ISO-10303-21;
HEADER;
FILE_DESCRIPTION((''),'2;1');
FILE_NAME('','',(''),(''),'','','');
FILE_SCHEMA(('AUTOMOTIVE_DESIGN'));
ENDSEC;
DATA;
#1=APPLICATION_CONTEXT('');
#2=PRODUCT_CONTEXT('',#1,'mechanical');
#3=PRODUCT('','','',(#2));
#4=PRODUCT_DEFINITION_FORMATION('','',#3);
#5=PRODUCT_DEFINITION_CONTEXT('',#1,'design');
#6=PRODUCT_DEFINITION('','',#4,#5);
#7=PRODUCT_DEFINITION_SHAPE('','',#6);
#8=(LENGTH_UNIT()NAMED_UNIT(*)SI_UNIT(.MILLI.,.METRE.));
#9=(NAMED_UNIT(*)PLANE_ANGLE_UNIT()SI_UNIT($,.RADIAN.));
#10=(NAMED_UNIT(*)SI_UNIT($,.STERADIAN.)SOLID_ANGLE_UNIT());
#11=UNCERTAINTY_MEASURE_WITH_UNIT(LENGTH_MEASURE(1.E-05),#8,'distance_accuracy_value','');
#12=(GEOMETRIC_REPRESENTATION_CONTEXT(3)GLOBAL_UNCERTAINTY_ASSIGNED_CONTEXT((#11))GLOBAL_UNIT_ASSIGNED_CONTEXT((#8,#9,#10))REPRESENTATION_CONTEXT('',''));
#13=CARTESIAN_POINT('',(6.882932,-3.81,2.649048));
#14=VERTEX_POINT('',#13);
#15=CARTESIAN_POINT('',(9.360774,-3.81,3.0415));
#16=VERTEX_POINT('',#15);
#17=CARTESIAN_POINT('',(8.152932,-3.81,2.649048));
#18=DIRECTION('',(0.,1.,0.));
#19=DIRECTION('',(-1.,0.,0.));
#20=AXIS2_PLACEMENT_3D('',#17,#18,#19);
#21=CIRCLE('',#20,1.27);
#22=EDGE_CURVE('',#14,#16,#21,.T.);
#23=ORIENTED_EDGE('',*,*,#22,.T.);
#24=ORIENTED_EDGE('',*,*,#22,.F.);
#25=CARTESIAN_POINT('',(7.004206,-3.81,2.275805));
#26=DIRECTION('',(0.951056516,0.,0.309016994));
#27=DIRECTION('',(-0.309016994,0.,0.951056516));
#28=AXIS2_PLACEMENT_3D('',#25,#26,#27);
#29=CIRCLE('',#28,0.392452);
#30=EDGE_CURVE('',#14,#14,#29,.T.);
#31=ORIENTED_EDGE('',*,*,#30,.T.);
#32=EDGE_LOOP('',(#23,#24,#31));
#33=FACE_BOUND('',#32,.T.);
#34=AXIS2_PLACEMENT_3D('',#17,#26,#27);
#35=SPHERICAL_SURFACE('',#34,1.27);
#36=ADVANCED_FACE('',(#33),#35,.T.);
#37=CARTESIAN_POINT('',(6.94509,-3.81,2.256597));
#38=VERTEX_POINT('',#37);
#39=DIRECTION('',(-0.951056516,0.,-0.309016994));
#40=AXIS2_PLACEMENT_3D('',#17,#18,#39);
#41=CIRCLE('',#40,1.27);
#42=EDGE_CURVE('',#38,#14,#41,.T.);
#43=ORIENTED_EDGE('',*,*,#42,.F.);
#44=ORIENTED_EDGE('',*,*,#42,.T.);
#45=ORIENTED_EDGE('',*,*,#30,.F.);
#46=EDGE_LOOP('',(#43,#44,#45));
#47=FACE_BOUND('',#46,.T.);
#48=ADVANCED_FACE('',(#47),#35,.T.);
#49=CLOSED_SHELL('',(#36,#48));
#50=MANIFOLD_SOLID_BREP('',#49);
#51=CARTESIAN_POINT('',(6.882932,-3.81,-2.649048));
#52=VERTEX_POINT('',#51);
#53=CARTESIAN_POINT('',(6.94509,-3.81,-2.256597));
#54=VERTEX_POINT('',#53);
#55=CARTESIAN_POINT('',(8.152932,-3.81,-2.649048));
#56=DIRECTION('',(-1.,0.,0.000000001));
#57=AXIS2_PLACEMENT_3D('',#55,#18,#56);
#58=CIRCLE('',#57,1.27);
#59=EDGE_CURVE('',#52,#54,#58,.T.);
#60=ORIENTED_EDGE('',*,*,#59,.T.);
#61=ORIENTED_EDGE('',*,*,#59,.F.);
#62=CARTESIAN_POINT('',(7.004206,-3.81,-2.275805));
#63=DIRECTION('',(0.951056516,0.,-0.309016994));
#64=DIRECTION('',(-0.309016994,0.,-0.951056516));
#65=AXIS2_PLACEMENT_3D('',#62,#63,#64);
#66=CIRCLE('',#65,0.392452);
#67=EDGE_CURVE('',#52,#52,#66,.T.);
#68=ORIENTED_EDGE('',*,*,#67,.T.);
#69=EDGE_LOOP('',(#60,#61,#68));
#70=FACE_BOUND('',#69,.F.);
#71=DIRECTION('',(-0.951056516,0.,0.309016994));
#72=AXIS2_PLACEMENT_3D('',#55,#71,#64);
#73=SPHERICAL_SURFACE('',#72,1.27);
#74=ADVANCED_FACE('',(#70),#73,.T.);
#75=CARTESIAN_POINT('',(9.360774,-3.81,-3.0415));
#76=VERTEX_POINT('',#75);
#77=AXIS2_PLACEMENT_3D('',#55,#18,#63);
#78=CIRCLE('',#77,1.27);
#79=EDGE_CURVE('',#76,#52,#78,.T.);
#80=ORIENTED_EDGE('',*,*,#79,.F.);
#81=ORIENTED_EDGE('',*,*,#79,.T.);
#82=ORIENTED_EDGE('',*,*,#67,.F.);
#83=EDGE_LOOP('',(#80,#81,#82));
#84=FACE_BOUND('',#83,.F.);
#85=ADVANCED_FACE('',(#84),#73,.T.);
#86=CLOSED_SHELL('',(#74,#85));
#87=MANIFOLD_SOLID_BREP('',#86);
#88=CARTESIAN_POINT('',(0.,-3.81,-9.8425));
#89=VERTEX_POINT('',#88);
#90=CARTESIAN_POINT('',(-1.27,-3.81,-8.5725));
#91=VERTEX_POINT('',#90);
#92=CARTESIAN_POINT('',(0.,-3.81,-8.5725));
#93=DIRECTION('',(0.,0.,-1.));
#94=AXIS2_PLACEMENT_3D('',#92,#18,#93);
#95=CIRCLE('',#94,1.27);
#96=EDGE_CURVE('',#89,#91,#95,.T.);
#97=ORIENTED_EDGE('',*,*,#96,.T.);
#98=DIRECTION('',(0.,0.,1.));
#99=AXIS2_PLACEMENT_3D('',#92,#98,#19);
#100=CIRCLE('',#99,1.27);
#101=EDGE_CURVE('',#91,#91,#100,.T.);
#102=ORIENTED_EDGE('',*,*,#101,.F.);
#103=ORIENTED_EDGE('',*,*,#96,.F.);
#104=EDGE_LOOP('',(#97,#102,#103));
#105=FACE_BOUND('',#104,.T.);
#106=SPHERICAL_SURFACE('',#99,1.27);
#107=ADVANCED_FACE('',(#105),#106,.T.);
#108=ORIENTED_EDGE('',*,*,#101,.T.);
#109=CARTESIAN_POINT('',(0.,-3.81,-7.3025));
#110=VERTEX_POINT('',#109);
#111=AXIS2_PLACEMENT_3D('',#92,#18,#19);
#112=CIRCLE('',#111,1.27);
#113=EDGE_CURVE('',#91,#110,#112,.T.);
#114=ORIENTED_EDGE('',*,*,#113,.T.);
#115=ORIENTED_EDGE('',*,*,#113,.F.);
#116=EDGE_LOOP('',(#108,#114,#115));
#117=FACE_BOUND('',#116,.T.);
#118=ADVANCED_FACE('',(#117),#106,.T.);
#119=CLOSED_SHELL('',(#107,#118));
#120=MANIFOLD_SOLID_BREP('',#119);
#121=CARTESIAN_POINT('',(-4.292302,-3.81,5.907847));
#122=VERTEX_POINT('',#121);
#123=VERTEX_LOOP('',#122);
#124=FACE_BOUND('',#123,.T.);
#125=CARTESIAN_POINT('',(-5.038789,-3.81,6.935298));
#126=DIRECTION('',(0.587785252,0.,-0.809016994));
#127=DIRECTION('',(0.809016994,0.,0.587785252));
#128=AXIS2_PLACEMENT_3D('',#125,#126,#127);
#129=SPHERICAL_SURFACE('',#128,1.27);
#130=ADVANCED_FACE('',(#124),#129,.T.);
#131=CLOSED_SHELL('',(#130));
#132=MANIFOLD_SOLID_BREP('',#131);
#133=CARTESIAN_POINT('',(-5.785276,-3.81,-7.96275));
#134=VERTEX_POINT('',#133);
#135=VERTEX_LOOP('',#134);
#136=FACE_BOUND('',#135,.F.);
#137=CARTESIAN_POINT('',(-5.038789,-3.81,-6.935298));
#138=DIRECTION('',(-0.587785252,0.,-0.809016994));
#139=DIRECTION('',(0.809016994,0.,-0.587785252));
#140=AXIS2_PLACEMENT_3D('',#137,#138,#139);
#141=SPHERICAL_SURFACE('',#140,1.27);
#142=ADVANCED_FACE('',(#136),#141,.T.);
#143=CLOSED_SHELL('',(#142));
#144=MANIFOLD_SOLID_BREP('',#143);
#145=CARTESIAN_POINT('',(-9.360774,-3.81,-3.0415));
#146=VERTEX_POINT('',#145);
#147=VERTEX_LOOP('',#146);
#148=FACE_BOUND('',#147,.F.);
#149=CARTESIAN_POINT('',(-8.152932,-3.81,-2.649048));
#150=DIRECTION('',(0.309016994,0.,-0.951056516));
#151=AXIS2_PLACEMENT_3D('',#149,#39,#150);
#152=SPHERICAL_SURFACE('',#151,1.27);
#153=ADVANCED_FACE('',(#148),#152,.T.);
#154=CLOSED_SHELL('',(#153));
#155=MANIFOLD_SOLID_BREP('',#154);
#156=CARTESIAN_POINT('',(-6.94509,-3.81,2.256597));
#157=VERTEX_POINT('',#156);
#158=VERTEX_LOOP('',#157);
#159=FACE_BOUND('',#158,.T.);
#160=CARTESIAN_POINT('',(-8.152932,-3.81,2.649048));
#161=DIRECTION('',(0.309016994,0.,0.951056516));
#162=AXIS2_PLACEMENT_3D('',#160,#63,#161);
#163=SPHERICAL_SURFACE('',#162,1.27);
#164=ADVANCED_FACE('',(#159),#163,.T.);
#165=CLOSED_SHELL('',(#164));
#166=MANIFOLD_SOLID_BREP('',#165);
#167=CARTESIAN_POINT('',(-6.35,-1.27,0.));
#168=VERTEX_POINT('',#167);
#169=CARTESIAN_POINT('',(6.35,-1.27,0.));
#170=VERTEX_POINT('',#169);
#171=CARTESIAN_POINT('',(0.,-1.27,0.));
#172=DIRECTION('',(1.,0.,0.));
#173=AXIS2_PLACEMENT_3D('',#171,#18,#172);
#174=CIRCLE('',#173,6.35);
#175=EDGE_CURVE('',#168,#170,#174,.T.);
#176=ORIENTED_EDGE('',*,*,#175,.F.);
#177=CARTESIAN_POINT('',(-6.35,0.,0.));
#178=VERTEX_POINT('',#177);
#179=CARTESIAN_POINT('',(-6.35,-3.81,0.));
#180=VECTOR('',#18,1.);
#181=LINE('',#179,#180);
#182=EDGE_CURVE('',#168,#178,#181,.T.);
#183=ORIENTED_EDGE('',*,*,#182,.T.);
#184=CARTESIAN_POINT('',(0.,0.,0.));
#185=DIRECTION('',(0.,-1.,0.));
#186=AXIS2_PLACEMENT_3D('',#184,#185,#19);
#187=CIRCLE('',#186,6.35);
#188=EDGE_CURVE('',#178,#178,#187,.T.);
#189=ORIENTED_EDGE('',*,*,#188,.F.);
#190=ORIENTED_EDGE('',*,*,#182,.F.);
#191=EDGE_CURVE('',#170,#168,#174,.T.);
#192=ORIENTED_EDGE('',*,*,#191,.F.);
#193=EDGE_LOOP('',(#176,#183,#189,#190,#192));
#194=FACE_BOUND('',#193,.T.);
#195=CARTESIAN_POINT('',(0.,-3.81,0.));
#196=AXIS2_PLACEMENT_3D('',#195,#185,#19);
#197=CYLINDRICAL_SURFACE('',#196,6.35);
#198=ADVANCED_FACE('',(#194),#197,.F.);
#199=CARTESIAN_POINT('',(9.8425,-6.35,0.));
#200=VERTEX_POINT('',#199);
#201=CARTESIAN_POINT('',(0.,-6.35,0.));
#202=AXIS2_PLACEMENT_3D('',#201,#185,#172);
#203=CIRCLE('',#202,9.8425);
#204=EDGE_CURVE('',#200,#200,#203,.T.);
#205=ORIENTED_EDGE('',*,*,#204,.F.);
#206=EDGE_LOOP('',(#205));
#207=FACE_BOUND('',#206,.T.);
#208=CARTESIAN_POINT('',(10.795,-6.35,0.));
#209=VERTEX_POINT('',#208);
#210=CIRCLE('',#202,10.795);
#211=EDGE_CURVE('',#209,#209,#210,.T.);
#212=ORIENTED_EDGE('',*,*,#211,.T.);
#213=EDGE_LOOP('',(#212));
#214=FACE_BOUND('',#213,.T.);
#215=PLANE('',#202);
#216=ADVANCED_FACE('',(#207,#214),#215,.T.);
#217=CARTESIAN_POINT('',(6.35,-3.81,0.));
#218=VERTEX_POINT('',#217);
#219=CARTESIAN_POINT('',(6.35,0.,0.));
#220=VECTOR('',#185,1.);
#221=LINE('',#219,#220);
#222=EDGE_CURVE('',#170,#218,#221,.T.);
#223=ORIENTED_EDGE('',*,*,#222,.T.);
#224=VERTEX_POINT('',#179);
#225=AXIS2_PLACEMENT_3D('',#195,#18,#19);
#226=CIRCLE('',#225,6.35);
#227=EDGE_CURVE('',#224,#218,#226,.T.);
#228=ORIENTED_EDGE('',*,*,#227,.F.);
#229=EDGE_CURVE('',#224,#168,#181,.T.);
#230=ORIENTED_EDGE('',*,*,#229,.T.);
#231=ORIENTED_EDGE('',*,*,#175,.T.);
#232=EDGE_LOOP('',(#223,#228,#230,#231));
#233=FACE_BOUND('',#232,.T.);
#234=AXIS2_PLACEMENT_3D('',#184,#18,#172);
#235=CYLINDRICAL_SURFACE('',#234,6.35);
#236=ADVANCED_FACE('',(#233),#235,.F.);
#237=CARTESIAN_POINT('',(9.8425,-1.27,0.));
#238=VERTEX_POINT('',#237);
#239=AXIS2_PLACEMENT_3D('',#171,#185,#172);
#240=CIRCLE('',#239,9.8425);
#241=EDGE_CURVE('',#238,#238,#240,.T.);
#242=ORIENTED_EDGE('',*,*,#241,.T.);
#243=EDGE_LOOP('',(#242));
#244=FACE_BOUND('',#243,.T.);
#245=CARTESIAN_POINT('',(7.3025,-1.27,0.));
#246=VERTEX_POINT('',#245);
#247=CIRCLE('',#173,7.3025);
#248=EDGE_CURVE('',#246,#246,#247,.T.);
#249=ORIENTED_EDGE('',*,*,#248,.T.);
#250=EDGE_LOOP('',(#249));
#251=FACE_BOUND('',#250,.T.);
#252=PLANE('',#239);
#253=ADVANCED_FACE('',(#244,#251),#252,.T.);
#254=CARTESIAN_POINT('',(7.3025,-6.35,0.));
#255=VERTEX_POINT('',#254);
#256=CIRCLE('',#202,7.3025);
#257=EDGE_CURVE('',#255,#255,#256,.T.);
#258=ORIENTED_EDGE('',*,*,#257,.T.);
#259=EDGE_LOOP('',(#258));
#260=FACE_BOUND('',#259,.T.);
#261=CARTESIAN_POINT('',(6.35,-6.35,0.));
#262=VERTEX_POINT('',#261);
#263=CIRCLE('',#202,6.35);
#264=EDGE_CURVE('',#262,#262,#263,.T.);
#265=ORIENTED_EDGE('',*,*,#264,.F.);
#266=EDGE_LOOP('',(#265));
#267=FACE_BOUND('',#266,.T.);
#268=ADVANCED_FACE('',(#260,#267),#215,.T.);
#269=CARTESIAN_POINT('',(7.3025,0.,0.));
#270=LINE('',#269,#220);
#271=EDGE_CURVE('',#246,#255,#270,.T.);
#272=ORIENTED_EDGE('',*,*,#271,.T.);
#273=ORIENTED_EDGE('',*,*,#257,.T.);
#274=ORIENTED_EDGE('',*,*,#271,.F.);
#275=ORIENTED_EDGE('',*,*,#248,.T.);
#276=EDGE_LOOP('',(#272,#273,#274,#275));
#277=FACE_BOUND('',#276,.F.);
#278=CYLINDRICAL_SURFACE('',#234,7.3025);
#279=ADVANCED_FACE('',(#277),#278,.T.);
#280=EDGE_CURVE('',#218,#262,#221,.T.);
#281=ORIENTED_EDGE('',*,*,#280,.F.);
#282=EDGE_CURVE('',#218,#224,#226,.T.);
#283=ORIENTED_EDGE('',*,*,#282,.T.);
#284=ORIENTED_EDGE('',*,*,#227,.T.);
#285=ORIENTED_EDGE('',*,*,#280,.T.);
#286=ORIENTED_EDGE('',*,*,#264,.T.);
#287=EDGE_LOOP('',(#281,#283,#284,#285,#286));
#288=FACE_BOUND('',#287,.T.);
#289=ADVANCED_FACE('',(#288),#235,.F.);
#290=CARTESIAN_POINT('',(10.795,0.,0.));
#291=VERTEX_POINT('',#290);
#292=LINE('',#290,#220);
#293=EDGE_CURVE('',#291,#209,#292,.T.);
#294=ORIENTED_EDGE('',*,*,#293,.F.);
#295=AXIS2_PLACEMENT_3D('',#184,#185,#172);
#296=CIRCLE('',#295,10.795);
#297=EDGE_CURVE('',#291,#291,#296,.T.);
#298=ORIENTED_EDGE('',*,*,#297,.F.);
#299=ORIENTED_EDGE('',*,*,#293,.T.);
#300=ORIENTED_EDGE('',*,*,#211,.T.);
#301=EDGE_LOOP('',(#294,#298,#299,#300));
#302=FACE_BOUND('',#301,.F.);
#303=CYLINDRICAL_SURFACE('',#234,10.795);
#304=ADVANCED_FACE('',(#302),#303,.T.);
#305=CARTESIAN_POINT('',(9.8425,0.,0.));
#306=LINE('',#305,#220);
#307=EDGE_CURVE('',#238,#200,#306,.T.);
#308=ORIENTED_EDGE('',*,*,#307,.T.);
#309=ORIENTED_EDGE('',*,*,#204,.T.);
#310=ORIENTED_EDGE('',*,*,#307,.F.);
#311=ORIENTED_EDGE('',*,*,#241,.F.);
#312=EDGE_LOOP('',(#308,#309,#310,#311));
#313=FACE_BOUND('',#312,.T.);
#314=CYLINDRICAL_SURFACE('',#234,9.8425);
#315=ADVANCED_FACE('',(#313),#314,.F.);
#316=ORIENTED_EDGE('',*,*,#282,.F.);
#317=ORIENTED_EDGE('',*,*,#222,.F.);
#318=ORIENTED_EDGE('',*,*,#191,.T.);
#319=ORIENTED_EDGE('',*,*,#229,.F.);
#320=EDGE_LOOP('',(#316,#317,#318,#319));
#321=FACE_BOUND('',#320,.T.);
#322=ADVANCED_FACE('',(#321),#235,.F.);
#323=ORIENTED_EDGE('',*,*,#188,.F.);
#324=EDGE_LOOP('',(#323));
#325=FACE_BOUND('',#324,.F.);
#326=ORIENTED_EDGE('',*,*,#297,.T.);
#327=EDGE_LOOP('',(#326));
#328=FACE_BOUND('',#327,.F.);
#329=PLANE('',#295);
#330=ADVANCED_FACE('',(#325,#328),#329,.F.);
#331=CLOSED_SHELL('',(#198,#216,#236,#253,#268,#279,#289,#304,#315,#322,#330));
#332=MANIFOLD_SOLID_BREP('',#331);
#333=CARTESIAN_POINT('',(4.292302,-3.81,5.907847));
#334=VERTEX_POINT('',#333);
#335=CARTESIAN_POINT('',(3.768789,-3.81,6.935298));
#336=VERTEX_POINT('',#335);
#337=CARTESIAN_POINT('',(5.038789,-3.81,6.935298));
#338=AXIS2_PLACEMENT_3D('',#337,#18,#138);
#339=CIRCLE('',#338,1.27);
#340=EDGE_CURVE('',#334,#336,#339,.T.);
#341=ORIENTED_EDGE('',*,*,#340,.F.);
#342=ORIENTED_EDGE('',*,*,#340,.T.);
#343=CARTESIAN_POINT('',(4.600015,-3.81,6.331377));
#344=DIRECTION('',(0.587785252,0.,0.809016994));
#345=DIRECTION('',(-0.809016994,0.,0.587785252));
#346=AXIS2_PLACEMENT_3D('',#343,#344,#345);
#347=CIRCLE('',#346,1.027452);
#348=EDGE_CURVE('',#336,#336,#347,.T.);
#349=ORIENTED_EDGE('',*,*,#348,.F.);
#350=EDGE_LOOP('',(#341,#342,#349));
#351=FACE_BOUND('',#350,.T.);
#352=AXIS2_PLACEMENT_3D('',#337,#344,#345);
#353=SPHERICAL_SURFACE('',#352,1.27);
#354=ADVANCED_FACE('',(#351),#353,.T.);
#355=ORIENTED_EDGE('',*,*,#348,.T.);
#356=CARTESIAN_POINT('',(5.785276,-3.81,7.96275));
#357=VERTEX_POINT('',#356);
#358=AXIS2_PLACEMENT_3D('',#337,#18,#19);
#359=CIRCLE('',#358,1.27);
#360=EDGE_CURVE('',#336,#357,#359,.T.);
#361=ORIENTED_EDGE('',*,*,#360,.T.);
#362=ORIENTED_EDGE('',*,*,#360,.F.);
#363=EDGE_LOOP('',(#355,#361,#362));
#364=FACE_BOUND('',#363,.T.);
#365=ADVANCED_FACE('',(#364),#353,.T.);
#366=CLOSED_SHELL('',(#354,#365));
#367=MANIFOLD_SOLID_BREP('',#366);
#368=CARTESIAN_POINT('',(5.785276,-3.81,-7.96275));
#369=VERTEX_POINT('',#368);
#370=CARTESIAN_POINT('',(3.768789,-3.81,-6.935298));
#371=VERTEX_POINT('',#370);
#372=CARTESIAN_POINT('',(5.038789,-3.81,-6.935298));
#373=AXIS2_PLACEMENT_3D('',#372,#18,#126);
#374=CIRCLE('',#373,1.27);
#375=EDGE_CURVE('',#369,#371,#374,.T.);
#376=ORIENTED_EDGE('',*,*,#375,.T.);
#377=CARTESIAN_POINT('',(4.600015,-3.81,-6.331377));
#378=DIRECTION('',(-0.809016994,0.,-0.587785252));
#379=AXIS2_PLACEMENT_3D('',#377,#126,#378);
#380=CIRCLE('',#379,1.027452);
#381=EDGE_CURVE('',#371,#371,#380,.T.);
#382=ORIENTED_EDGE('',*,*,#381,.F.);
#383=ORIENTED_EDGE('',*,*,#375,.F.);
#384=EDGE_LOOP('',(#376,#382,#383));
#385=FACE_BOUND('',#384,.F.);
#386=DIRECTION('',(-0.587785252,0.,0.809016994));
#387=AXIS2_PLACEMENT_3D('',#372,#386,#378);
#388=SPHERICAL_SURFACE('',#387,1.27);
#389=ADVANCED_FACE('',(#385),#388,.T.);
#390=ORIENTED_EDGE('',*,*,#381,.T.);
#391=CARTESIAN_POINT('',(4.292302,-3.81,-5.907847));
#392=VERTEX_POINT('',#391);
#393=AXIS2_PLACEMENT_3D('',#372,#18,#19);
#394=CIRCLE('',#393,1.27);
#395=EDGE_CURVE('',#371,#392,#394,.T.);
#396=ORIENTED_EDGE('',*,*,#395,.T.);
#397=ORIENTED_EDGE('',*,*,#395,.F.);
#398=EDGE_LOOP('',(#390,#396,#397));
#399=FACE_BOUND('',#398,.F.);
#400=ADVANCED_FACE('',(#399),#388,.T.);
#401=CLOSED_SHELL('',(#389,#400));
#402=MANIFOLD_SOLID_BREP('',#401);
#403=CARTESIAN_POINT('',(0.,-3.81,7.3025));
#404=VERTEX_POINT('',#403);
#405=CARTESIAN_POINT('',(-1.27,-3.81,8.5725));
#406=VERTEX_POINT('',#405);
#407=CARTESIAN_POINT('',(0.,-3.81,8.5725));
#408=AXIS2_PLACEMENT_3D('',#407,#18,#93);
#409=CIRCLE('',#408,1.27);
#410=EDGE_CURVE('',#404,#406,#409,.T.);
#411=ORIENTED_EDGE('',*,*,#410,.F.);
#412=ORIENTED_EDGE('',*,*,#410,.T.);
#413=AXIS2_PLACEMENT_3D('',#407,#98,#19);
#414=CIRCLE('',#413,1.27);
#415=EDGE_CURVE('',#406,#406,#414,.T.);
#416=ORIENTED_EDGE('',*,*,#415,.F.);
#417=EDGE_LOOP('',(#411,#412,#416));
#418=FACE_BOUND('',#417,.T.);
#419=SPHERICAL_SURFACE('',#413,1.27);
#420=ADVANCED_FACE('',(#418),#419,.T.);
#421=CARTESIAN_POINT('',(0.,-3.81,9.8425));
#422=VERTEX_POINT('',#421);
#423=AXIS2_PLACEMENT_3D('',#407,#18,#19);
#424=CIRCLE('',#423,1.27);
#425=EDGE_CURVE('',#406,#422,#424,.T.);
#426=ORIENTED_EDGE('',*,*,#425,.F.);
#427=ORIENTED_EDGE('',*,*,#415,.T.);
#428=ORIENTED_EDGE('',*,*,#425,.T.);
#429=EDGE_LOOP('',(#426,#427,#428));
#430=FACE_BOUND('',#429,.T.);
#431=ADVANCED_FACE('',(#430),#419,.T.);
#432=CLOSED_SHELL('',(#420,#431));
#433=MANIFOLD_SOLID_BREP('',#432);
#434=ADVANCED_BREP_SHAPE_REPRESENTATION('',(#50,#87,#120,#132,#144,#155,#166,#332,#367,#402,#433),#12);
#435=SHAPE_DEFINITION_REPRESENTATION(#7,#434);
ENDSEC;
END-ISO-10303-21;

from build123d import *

# Parameters (mm, degrees)
F0_R      = 7.3025
F0_R_2    = 6.35
F1_DEPTH  = 6.35
F0_R_3    = 10.795
F0_R_4    = 9.8425
F2_R      = 9.8425
F3_DEPTH  = 1.27
F12_R     = 6.35
F13_DEPTH = 25.4


with BuildPart() as f1:
    # F0 (on Front) → F1 (new body)
    with BuildSketch(Plane.XZ):
        Circle(F0_R)
        Circle(F0_R_2, mode=Mode.SUBTRACT)
    extrude(amount=F1_DEPTH)



with BuildPart() as f1b:
    # F0 (on Front) → F1, piece 2 (new body)
    with BuildSketch(Plane.XZ):
        Circle(F0_R_3)
        Circle(F0_R_4, mode=Mode.SUBTRACT)
    extrude(amount=F1_DEPTH)


with BuildPart() as f1_1:
    add(f1.part)

    add(f1b.part)  # F3 merges F1b
    # F2 (on Front) → F3 (join)
    with BuildSketch(Plane.XZ):
        Circle(F2_R)
    extrude(amount=F3_DEPTH)

    # F6 (on line) → F7 (revolve)
    with BuildSketch(Plane(origin=(0, -3.81, 0), x_dir=(-1, 0, 0), z_dir=(0, 1, 0))):
        with BuildLine():
            ThreePointArc((0, 7.3025), (0.8980256121, 7.6744743879), (1.27, 8.5725))
            ThreePointArc((1.27, 8.5725), (0.8980256121, 9.4705256121), (0, 9.8425))
            Line((0, 9.8425), (0, 7.3025))
        make_face()
        with BuildLine():
            ThreePointArc((1.27, -8.5725), (0.8980256121, -7.6744743879), (0, -7.3025))
            Line((0, -7.3025), (0, -9.8425))
            ThreePointArc((0, -9.8425), (0.8980256121, -9.4705256121), (1.27, -8.5725))
        make_face()
    revolve(axis=Axis((0, -3.81, 0), (0, 0, 1)))

    # F12 (on line) → F13 (cut)
    with BuildSketch(Plane(origin=(0, -3.81, 0), x_dir=(-1, 0, 0), z_dir=(0, 1, 0))):
        Circle(F12_R)
    extrude(amount=F13_DEPTH, mode=Mode.SUBTRACT)


with BuildPart() as f8:
    # F6 (on line) → F8 (revolve)
    with BuildSketch(Plane(origin=(0, -3.81, 0), x_dir=(-1, 0, 0), z_dir=(0, 1, 0))):
        with BuildLine():
            ThreePointArc((5.7852763457, 7.9627497671), (4.0113374924, 7.6817854547), (4.2923018049, 5.9078466014))
            Line((4.2923018049, 5.9078466014), (5.7852763457, 7.9627497671))
        make_face()
    revolve(axis=Axis((0, -3.81, 0), (0.5877852523, 0, -0.8090169944)))


with BuildPart() as f8b:
    # F6 (on line) → F8, piece 2 (revolve)
    with BuildSketch(Plane(origin=(0, -3.81, 0), x_dir=(-1, 0, 0), z_dir=(0, 1, 0))):
        with BuildLine():
            ThreePointArc((-3.7687890753, -6.9352981843), (-3.9072107896, -6.3587302496), (-4.2923018049, -5.9078466014))
            Line((-4.2923018049, -5.9078466014), (-5.7852763457, -7.9627497671))
            ThreePointArc((-5.7852763457, -7.9627497671), (-4.4622211406, -8.06687647), (-3.7687890753, -6.9352981843))
        make_face()
    revolve(axis=Axis((0, -3.81, 0), (0.5877852523, 0, -0.8090169944)))


with BuildPart() as f9:
    # F6 (on line) → F9 (revolve)
    with BuildSketch(Plane(origin=(0, -3.81, 0), x_dir=(-1, 0, 0), z_dir=(0, 1, 0))):
        with BuildLine():
            Line((-5.7852763457, 7.9627497671), (-4.2923018049, 5.9078466014))
            ThreePointArc((-4.2923018049, 5.9078466014), (-3.9072107896, 6.3587302496), (-3.7687890753, 6.9352981843))
            ThreePointArc((-3.7687890753, 6.9352981843), (-4.4622211406, 8.06687647), (-5.7852763457, 7.9627497671))
        make_face()
    revolve(axis=Axis((0, -3.81, 0), (0.5877852523, 0, 0.8090169944)))


with BuildPart() as f9b:
    # F6 (on line) → F9, piece 2 (revolve)
    with BuildSketch(Plane(origin=(0, -3.81, 0), x_dir=(-1, 0, 0), z_dir=(0, 1, 0))):
        with BuildLine():
            Line((5.7852763457, -7.9627497671), (4.2923018049, -5.9078466014))
            ThreePointArc((4.2923018049, -5.9078466014), (4.0113374924, -7.6817854547), (5.7852763457, -7.9627497671))
        make_face()
    revolve(axis=Axis((0, -3.81, 0), (0.5877852523, 0, 0.8090169944)))


with BuildPart() as f10:
    # F6 (on line) → F10 (revolve)
    with BuildSketch(Plane(origin=(0, -3.81, 0), x_dir=(-1, 0, 0), z_dir=(0, 1, 0))):
        with BuildLine():
            ThreePointArc((9.3607737616, 3.0414997671), (7.7604804031, 3.85688996), (6.9450902102, 2.2565966014))
            Line((6.9450902102, 2.2565966014), (9.3607737616, 3.0414997671))
        make_face()
    revolve(axis=Axis((0, -3.81, 0), (0.9510565163, 0, -0.3090169944)))


with BuildPart() as f10b:
    # F6 (on line) → F10, piece 2 (revolve)
    with BuildSketch(Plane(origin=(0, -3.81, 0), x_dir=(-1, 0, 0), z_dir=(0, 1, 0))):
        with BuildLine():
            ThreePointArc((-6.8829319859, -2.6490481843), (-6.8985677934, -2.4503764137), (-6.9450902102, -2.2565966014))
            Line((-6.9450902102, -2.2565966014), (-9.3607737616, -3.0414997671))
            ThreePointArc((-9.3607737616, -3.0414997671), (-7.9542602153, -3.9034123768), (-6.8829319859, -2.6490481843))
        make_face()
    revolve(axis=Axis((0, -3.81, 0), (0.9510565163, 0, -0.3090169944)))


with BuildPart() as f11:
    # F6 (on line) → F11 (revolve)
    with BuildSketch(Plane(origin=(0, -3.81, 0), x_dir=(-1, 0, 0), z_dir=(0, 1, 0))):
        with BuildLine():
            Line((9.3607737616, -3.0414997671), (6.9450902102, -2.2565966014))
            ThreePointArc((6.9450902102, -2.2565966014), (7.7604804031, -3.85688996), (9.3607737616, -3.0414997671))
        make_face()
    revolve(axis=Axis((0, -3.81, 0), (0.9510565163, 0, 0.3090169944)))


with BuildPart() as f11b:
    # F6 (on line) → F11, piece 2 (revolve)
    with BuildSketch(Plane(origin=(0, -3.81, 0), x_dir=(-1, 0, 0), z_dir=(0, 1, 0))):
        with BuildLine():
            Line((-9.3607737616, 3.0414997671), (-6.9450902102, 2.2565966014))
            ThreePointArc((-6.9450902102, 2.2565966014), (-6.8985677934, 2.4503764137), (-6.8829319859, 2.6490481843))
            ThreePointArc((-6.8829319859, 2.6490481843), (-7.9542602153, 3.9034123768), (-9.3607737616, 3.0414997671))
        make_face()
    revolve(axis=Axis((0, -3.81, 0), (0.9510565163, 0, 0.3090169944)))


solid = Compound([f1_1.part, f8.part, f8b.part, f9.part, f9b.part, f10.part, f10b.part, f11.part, f11b.part])
